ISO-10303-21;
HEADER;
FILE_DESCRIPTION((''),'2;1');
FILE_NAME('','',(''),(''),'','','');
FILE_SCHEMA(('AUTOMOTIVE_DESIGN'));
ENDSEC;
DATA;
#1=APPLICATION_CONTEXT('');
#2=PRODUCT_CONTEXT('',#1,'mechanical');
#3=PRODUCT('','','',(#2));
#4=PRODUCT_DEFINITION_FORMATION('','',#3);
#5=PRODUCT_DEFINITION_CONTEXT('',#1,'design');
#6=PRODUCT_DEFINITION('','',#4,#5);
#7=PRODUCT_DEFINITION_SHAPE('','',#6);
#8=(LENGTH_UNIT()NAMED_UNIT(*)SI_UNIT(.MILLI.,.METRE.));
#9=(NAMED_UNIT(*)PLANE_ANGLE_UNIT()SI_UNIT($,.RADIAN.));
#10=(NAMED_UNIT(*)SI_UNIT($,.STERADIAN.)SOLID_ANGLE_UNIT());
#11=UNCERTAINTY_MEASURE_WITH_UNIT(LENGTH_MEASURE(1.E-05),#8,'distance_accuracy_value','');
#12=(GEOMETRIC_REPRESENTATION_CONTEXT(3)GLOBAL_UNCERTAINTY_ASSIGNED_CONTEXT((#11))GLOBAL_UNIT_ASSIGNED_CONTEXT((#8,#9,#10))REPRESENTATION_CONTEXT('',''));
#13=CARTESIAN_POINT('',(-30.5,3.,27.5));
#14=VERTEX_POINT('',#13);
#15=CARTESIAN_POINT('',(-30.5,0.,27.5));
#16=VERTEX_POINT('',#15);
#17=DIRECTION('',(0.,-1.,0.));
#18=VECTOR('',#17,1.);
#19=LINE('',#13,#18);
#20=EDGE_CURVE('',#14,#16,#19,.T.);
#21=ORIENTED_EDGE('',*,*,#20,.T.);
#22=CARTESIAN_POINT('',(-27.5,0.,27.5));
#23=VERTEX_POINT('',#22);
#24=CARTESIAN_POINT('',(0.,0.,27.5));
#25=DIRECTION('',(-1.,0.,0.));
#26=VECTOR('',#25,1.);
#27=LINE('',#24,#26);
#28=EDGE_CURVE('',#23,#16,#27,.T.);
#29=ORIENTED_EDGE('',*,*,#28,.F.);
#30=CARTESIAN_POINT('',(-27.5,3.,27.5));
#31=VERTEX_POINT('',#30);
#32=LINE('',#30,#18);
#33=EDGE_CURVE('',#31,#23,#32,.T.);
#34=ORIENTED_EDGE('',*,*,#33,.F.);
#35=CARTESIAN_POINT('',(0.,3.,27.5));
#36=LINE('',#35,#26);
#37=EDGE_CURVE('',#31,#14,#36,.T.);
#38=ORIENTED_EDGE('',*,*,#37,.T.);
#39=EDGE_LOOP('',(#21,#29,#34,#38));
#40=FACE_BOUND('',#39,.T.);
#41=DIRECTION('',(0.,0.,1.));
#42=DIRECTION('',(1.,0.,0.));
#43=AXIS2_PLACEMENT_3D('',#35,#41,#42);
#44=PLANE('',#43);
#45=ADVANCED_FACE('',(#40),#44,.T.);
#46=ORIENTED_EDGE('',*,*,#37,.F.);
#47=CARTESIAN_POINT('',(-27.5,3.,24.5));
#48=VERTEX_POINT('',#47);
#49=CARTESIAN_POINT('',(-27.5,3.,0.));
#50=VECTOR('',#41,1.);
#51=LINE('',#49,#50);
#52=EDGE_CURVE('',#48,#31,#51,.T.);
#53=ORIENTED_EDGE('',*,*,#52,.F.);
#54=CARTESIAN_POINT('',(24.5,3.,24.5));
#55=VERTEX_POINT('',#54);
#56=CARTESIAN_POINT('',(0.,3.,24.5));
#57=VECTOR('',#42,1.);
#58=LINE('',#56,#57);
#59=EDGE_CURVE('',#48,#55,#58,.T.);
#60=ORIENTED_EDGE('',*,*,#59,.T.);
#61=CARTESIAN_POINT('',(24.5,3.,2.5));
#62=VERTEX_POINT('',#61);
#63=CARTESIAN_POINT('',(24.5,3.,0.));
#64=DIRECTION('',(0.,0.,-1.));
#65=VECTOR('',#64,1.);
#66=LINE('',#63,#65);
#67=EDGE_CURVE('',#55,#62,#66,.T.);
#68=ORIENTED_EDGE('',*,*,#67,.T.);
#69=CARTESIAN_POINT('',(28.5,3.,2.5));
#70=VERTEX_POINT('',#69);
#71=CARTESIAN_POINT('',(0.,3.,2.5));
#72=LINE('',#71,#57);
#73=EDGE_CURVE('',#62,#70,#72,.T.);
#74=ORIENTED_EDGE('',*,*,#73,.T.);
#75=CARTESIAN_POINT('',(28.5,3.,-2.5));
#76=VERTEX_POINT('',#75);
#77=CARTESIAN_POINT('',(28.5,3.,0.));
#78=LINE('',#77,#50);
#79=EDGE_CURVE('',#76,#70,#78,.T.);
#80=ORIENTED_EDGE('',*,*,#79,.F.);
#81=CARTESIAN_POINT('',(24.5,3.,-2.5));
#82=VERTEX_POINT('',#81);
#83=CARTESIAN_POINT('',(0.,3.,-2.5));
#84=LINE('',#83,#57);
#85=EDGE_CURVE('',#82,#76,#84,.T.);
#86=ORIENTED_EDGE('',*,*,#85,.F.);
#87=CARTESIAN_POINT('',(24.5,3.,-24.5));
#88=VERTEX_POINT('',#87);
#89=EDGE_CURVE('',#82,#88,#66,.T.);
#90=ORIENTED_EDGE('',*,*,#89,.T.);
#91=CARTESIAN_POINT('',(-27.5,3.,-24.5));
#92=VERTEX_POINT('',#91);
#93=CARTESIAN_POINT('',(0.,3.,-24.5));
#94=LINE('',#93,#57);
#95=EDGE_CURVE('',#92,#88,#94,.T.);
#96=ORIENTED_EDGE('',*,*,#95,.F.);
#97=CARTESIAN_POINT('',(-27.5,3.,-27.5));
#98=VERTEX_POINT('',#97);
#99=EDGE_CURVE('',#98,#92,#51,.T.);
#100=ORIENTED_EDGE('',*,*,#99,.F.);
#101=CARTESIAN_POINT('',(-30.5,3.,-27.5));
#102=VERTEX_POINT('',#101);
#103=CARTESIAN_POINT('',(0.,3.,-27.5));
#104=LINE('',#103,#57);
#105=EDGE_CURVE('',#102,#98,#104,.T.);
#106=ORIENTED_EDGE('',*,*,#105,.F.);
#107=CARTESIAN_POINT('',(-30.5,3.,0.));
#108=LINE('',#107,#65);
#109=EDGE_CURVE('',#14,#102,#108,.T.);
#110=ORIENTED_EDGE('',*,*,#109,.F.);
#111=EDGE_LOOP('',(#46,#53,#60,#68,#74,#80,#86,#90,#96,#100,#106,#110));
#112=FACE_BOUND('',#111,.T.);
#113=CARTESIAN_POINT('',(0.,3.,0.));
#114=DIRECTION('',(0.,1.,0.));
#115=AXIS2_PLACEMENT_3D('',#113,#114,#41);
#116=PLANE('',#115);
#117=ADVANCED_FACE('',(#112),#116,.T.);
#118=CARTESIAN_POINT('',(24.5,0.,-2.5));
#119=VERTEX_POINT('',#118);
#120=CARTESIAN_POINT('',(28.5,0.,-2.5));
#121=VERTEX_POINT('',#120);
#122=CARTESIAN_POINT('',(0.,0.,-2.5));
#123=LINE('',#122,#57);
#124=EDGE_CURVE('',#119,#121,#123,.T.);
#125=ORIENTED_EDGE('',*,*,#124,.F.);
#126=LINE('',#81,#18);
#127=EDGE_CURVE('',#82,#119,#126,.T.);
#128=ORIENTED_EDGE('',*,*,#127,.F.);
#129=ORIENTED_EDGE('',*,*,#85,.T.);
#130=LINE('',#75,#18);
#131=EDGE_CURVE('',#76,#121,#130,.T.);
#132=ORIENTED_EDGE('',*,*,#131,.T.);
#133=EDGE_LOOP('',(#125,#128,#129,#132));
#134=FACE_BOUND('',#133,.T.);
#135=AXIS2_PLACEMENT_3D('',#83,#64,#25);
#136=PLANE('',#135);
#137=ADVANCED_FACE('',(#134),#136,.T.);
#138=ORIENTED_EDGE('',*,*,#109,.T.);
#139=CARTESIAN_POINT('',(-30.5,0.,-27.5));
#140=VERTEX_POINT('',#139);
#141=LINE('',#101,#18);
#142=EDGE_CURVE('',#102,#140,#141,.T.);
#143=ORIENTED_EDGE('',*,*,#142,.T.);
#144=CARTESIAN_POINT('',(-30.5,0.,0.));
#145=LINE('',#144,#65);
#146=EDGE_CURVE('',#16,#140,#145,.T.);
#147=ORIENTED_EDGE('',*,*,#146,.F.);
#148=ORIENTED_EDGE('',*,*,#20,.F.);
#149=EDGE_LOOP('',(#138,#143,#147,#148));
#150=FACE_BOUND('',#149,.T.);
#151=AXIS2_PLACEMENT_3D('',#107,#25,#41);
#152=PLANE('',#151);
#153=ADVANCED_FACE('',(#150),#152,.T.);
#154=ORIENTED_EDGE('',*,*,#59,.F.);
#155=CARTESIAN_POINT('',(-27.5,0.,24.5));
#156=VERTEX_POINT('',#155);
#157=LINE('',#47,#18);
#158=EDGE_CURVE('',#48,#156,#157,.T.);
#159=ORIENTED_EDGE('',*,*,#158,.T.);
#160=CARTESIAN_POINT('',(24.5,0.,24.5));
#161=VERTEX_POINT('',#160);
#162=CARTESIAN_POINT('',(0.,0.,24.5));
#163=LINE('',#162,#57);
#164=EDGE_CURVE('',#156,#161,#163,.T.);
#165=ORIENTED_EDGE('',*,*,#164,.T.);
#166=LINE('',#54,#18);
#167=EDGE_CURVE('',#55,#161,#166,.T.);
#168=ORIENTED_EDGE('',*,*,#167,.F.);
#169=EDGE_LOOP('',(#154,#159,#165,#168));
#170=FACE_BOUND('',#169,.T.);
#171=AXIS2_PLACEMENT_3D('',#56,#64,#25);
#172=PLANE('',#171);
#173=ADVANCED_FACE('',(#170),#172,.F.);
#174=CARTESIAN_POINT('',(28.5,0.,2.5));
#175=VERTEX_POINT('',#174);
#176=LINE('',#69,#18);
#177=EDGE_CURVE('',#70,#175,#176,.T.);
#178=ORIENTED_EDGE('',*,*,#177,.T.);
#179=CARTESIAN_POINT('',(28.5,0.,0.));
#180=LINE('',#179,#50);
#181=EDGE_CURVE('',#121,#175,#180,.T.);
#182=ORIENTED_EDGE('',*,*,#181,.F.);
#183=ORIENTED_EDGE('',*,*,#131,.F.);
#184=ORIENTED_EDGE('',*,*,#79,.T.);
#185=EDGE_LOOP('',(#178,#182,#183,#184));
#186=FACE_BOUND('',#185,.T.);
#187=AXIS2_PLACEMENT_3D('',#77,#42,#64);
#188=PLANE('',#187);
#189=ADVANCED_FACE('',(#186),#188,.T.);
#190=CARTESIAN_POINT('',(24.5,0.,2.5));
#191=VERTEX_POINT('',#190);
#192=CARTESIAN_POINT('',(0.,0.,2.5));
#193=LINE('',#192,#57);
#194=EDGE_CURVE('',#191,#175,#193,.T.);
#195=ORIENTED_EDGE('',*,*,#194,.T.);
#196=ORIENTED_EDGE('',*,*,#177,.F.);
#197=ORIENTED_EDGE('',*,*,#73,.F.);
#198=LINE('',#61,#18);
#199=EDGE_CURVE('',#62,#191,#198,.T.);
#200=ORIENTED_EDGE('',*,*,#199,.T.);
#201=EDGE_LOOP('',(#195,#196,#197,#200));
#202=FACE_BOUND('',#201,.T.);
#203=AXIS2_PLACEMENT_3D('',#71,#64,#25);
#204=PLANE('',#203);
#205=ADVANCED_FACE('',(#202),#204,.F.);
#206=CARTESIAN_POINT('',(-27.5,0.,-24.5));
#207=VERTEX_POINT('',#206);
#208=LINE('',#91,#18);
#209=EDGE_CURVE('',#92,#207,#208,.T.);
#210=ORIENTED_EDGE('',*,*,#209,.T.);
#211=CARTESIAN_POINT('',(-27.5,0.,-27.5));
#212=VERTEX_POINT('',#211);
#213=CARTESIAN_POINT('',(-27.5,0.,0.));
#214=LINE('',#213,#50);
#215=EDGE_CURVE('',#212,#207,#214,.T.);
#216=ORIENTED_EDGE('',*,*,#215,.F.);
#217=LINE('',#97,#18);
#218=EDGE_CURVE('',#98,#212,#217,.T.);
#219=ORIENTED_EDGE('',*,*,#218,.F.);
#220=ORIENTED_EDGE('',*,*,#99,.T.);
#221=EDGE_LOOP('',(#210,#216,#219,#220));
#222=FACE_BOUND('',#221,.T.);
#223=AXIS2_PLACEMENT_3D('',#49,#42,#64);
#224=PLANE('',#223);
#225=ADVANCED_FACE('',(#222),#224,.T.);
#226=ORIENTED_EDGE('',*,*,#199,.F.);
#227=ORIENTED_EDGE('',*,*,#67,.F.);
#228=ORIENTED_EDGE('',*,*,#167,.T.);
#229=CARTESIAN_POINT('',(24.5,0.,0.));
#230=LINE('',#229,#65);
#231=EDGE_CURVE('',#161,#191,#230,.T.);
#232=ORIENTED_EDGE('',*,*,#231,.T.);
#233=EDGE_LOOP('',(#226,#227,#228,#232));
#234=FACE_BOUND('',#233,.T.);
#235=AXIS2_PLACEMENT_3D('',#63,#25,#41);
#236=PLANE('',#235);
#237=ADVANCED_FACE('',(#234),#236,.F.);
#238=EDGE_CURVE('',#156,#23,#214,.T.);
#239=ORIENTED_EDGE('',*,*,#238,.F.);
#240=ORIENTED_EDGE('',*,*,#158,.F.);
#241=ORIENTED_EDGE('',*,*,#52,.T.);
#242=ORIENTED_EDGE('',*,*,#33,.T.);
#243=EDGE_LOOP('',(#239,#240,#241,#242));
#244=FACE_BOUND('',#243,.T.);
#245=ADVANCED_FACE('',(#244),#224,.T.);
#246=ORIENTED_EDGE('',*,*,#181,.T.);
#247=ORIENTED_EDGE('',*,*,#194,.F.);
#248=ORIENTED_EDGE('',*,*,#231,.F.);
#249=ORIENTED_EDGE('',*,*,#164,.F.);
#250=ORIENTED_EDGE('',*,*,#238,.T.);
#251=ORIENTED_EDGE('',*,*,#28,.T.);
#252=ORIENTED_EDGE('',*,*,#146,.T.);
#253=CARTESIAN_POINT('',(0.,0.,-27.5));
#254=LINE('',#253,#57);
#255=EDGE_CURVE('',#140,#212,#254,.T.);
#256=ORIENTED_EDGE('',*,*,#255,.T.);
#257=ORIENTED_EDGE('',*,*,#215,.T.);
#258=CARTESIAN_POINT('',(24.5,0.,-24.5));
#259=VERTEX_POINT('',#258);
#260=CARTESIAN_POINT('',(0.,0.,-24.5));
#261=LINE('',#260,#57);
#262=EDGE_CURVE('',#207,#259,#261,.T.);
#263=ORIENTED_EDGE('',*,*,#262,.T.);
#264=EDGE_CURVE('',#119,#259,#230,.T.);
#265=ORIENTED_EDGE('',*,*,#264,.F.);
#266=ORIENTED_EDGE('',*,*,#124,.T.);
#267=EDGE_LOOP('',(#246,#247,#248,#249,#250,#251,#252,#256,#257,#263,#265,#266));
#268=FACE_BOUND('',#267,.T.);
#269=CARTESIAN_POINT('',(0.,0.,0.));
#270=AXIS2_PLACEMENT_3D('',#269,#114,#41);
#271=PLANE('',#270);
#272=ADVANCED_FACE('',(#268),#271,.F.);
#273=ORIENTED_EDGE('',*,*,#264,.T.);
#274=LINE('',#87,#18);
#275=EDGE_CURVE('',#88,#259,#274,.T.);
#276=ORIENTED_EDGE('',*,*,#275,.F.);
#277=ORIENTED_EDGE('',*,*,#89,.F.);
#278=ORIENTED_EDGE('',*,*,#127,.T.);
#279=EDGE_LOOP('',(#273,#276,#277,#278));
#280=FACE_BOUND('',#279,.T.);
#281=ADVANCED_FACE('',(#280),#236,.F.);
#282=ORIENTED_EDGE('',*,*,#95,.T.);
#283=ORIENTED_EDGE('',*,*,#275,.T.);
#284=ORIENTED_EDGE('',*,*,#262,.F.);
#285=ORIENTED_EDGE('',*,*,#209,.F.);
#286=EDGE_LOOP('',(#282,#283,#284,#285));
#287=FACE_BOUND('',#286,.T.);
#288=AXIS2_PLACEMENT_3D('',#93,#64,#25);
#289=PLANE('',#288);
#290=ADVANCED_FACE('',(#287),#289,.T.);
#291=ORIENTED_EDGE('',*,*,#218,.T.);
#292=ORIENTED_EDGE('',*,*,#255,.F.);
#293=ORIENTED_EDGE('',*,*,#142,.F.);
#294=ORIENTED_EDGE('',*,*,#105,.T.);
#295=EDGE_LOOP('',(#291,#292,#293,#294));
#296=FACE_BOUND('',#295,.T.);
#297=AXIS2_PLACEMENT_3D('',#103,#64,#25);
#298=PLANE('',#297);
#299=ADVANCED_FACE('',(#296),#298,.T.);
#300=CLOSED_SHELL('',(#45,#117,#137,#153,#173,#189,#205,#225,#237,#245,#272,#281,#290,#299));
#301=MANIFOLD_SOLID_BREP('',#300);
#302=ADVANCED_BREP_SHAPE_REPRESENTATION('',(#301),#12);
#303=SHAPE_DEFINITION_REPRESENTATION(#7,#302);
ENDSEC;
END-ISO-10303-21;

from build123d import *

# Parameters (mm, degrees)
SKETCH1_W           = 49
SKETCH1_H           = 49
SKETCH1_W_2         = 4
SKETCH1_H_2         = 5
SKETCH1_W_3         = 3
BOSS_EXTRUDE1_DEPTH = 3


with BuildPart() as part:
    # Sketch1 → Boss-Extrude1 (new body)
    with BuildSketch(Plane(origin=(0, 0, 0), x_dir=(1, 0, 0), z_dir=(0, 1, 0))):
        Rectangle(SKETCH1_W, SKETCH1_H)
        with Locations((26.5, 0)):
            Rectangle(SKETCH1_W_2, SKETCH1_H_2)
        Polygon((-27.5, 27.5), (-27.5, 24.5), (-27.5, -24.5), (-27.5, -27.5), (-30.5, -27.5), (-30.5, 27.5), align=None)
        with Locations((-26, 0)):
            Rectangle(SKETCH1_W_3, SKETCH1_H)
    extrude(amount=BOSS_EXTRUDE1_DEPTH)


solid = part.part
